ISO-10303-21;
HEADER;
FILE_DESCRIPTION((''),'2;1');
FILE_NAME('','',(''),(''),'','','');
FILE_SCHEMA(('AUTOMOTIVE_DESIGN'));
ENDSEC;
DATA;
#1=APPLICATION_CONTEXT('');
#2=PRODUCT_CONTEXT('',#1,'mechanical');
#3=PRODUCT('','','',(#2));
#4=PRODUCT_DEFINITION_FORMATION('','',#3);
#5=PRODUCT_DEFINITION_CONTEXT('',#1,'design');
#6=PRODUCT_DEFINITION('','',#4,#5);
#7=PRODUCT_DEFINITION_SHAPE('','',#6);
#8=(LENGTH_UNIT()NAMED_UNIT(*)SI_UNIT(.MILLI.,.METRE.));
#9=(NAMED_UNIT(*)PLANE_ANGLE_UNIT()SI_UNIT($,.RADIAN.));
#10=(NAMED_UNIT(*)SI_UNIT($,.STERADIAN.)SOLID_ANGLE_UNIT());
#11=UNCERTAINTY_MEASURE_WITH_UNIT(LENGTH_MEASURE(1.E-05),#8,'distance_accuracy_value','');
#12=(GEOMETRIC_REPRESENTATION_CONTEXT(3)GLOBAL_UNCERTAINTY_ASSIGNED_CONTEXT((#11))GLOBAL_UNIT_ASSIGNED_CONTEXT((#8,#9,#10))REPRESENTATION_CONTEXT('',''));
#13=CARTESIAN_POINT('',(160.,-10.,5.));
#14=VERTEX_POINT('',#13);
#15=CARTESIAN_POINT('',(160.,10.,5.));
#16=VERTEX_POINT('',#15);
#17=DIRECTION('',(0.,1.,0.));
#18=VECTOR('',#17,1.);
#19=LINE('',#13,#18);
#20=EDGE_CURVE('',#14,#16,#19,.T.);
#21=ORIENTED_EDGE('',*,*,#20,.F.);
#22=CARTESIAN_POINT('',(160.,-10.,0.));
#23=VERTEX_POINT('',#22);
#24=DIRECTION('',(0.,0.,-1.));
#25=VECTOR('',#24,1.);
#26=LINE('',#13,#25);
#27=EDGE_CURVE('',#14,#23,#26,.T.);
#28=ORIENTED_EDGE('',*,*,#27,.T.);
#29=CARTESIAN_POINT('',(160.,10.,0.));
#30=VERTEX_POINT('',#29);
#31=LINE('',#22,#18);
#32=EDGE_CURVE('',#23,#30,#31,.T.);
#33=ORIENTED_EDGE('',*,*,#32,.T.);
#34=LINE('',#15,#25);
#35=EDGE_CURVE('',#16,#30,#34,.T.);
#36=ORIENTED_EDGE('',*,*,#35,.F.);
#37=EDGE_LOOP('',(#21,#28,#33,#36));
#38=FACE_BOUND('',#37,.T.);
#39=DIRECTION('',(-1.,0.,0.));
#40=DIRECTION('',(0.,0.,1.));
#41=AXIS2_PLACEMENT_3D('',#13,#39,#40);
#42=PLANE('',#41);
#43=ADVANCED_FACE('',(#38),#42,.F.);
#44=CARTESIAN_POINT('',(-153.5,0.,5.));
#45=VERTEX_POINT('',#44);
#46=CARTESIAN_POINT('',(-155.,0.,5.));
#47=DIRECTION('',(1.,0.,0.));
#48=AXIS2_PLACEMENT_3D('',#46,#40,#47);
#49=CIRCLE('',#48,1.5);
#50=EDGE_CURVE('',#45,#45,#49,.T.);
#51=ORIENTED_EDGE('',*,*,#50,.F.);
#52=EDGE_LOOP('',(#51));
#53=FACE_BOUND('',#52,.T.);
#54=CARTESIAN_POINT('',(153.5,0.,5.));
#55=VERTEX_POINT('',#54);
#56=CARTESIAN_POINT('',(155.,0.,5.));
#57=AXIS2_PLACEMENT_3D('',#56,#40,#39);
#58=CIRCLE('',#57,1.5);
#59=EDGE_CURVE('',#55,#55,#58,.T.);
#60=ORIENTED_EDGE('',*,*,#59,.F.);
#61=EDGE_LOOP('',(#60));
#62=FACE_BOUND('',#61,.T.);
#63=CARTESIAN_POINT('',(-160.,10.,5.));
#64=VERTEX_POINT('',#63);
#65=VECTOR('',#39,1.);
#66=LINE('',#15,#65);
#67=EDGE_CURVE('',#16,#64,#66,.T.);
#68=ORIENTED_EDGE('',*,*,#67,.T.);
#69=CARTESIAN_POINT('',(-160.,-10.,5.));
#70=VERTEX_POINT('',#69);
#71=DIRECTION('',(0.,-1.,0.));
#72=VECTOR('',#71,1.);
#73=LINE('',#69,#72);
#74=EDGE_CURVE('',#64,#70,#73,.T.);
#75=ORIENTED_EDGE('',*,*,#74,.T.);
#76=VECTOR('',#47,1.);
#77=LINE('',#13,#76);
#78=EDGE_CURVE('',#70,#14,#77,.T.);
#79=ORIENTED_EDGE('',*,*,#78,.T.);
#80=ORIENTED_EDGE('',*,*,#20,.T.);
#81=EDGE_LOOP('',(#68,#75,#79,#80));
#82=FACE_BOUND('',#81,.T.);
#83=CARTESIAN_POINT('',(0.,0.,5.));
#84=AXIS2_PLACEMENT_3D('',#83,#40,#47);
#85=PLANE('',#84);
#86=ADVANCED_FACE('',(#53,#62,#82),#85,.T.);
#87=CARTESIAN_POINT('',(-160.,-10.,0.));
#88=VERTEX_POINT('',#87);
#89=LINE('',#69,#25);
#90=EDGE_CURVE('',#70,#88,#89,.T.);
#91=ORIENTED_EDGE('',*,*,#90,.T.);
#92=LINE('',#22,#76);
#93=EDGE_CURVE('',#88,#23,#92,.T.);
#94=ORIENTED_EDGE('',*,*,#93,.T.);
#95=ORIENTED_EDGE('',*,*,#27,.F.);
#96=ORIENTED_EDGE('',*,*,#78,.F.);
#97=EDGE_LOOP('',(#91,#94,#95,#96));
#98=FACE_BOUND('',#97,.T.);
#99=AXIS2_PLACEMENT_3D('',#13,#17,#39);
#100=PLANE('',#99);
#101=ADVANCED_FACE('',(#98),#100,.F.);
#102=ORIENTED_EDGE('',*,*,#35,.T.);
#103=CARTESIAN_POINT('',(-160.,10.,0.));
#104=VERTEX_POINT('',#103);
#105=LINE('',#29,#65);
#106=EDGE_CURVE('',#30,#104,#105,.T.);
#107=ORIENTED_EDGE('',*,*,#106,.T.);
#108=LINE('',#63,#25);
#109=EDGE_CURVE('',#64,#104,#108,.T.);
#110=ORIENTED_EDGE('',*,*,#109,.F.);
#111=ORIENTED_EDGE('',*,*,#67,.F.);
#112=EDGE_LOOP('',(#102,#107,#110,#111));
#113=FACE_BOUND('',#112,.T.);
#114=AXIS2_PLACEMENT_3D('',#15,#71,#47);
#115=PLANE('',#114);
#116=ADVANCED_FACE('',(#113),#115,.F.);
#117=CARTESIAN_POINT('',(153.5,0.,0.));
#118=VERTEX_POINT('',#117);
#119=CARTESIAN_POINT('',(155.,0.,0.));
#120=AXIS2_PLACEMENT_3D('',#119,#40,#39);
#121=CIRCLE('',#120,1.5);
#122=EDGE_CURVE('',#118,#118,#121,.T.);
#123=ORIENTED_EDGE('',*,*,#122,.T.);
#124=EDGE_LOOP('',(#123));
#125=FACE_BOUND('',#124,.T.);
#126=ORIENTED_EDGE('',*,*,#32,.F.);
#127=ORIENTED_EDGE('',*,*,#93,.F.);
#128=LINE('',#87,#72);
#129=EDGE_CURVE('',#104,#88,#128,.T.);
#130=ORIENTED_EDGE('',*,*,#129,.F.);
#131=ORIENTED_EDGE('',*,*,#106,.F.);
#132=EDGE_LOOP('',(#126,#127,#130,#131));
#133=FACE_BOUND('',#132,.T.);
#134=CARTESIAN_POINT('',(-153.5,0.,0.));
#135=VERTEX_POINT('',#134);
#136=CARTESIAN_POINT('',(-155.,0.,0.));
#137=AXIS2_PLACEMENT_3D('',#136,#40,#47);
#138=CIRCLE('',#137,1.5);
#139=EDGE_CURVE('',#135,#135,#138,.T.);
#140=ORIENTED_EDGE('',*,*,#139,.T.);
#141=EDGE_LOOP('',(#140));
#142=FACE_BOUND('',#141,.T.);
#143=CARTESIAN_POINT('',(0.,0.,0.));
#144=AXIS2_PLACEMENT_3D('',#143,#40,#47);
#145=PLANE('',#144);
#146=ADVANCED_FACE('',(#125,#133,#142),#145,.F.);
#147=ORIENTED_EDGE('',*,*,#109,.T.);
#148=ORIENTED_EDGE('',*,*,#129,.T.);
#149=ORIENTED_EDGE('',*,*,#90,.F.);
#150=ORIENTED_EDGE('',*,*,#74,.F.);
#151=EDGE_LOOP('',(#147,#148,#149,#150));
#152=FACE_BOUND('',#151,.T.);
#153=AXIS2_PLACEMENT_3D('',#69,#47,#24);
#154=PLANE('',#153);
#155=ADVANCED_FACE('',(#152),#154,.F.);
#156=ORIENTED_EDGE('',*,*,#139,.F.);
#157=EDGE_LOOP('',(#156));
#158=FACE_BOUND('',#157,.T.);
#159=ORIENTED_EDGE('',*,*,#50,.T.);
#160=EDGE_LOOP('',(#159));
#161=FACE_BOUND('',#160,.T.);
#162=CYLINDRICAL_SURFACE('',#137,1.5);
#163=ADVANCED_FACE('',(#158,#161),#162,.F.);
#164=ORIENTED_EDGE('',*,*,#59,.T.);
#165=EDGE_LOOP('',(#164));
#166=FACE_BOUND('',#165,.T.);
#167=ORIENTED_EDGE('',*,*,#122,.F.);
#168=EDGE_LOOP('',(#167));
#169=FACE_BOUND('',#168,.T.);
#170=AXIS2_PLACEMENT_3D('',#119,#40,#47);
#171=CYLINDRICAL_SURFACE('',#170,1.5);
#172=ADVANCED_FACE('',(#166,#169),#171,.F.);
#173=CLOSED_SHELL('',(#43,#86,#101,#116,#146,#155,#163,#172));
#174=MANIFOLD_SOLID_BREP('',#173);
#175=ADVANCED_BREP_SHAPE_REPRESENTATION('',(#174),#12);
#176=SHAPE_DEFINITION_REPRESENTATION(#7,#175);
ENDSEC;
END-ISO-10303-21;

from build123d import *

# Parameters (mm, degrees)
SKETCH1_W           = 320
SKETCH1_H           = 20
BOSS_EXTRUDE1_DEPTH = 5
SKETCH2_R           = 1.5
CUT_EXTRUDE1_DEPTH  = 161.390149323


with BuildPart() as part:
    # Sketch1 → Boss-Extrude1 (new body)
    with BuildSketch(Plane.XY):
        Rectangle(SKETCH1_W, SKETCH1_H)
    extrude(amount=BOSS_EXTRUDE1_DEPTH)

    # Sketch2 → Cut-Extrude1 (cut, through all)
    with BuildSketch(Plane.XY.offset(5)):
        with Locations((-155, 0)):
            Circle(SKETCH2_R)
        with Locations(Location((155, 0, 0), (0, 0, 180))):
            Circle(SKETCH2_R)
    extrude(amount=-CUT_EXTRUDE1_DEPTH, mode=Mode.SUBTRACT)


solid = part.part
